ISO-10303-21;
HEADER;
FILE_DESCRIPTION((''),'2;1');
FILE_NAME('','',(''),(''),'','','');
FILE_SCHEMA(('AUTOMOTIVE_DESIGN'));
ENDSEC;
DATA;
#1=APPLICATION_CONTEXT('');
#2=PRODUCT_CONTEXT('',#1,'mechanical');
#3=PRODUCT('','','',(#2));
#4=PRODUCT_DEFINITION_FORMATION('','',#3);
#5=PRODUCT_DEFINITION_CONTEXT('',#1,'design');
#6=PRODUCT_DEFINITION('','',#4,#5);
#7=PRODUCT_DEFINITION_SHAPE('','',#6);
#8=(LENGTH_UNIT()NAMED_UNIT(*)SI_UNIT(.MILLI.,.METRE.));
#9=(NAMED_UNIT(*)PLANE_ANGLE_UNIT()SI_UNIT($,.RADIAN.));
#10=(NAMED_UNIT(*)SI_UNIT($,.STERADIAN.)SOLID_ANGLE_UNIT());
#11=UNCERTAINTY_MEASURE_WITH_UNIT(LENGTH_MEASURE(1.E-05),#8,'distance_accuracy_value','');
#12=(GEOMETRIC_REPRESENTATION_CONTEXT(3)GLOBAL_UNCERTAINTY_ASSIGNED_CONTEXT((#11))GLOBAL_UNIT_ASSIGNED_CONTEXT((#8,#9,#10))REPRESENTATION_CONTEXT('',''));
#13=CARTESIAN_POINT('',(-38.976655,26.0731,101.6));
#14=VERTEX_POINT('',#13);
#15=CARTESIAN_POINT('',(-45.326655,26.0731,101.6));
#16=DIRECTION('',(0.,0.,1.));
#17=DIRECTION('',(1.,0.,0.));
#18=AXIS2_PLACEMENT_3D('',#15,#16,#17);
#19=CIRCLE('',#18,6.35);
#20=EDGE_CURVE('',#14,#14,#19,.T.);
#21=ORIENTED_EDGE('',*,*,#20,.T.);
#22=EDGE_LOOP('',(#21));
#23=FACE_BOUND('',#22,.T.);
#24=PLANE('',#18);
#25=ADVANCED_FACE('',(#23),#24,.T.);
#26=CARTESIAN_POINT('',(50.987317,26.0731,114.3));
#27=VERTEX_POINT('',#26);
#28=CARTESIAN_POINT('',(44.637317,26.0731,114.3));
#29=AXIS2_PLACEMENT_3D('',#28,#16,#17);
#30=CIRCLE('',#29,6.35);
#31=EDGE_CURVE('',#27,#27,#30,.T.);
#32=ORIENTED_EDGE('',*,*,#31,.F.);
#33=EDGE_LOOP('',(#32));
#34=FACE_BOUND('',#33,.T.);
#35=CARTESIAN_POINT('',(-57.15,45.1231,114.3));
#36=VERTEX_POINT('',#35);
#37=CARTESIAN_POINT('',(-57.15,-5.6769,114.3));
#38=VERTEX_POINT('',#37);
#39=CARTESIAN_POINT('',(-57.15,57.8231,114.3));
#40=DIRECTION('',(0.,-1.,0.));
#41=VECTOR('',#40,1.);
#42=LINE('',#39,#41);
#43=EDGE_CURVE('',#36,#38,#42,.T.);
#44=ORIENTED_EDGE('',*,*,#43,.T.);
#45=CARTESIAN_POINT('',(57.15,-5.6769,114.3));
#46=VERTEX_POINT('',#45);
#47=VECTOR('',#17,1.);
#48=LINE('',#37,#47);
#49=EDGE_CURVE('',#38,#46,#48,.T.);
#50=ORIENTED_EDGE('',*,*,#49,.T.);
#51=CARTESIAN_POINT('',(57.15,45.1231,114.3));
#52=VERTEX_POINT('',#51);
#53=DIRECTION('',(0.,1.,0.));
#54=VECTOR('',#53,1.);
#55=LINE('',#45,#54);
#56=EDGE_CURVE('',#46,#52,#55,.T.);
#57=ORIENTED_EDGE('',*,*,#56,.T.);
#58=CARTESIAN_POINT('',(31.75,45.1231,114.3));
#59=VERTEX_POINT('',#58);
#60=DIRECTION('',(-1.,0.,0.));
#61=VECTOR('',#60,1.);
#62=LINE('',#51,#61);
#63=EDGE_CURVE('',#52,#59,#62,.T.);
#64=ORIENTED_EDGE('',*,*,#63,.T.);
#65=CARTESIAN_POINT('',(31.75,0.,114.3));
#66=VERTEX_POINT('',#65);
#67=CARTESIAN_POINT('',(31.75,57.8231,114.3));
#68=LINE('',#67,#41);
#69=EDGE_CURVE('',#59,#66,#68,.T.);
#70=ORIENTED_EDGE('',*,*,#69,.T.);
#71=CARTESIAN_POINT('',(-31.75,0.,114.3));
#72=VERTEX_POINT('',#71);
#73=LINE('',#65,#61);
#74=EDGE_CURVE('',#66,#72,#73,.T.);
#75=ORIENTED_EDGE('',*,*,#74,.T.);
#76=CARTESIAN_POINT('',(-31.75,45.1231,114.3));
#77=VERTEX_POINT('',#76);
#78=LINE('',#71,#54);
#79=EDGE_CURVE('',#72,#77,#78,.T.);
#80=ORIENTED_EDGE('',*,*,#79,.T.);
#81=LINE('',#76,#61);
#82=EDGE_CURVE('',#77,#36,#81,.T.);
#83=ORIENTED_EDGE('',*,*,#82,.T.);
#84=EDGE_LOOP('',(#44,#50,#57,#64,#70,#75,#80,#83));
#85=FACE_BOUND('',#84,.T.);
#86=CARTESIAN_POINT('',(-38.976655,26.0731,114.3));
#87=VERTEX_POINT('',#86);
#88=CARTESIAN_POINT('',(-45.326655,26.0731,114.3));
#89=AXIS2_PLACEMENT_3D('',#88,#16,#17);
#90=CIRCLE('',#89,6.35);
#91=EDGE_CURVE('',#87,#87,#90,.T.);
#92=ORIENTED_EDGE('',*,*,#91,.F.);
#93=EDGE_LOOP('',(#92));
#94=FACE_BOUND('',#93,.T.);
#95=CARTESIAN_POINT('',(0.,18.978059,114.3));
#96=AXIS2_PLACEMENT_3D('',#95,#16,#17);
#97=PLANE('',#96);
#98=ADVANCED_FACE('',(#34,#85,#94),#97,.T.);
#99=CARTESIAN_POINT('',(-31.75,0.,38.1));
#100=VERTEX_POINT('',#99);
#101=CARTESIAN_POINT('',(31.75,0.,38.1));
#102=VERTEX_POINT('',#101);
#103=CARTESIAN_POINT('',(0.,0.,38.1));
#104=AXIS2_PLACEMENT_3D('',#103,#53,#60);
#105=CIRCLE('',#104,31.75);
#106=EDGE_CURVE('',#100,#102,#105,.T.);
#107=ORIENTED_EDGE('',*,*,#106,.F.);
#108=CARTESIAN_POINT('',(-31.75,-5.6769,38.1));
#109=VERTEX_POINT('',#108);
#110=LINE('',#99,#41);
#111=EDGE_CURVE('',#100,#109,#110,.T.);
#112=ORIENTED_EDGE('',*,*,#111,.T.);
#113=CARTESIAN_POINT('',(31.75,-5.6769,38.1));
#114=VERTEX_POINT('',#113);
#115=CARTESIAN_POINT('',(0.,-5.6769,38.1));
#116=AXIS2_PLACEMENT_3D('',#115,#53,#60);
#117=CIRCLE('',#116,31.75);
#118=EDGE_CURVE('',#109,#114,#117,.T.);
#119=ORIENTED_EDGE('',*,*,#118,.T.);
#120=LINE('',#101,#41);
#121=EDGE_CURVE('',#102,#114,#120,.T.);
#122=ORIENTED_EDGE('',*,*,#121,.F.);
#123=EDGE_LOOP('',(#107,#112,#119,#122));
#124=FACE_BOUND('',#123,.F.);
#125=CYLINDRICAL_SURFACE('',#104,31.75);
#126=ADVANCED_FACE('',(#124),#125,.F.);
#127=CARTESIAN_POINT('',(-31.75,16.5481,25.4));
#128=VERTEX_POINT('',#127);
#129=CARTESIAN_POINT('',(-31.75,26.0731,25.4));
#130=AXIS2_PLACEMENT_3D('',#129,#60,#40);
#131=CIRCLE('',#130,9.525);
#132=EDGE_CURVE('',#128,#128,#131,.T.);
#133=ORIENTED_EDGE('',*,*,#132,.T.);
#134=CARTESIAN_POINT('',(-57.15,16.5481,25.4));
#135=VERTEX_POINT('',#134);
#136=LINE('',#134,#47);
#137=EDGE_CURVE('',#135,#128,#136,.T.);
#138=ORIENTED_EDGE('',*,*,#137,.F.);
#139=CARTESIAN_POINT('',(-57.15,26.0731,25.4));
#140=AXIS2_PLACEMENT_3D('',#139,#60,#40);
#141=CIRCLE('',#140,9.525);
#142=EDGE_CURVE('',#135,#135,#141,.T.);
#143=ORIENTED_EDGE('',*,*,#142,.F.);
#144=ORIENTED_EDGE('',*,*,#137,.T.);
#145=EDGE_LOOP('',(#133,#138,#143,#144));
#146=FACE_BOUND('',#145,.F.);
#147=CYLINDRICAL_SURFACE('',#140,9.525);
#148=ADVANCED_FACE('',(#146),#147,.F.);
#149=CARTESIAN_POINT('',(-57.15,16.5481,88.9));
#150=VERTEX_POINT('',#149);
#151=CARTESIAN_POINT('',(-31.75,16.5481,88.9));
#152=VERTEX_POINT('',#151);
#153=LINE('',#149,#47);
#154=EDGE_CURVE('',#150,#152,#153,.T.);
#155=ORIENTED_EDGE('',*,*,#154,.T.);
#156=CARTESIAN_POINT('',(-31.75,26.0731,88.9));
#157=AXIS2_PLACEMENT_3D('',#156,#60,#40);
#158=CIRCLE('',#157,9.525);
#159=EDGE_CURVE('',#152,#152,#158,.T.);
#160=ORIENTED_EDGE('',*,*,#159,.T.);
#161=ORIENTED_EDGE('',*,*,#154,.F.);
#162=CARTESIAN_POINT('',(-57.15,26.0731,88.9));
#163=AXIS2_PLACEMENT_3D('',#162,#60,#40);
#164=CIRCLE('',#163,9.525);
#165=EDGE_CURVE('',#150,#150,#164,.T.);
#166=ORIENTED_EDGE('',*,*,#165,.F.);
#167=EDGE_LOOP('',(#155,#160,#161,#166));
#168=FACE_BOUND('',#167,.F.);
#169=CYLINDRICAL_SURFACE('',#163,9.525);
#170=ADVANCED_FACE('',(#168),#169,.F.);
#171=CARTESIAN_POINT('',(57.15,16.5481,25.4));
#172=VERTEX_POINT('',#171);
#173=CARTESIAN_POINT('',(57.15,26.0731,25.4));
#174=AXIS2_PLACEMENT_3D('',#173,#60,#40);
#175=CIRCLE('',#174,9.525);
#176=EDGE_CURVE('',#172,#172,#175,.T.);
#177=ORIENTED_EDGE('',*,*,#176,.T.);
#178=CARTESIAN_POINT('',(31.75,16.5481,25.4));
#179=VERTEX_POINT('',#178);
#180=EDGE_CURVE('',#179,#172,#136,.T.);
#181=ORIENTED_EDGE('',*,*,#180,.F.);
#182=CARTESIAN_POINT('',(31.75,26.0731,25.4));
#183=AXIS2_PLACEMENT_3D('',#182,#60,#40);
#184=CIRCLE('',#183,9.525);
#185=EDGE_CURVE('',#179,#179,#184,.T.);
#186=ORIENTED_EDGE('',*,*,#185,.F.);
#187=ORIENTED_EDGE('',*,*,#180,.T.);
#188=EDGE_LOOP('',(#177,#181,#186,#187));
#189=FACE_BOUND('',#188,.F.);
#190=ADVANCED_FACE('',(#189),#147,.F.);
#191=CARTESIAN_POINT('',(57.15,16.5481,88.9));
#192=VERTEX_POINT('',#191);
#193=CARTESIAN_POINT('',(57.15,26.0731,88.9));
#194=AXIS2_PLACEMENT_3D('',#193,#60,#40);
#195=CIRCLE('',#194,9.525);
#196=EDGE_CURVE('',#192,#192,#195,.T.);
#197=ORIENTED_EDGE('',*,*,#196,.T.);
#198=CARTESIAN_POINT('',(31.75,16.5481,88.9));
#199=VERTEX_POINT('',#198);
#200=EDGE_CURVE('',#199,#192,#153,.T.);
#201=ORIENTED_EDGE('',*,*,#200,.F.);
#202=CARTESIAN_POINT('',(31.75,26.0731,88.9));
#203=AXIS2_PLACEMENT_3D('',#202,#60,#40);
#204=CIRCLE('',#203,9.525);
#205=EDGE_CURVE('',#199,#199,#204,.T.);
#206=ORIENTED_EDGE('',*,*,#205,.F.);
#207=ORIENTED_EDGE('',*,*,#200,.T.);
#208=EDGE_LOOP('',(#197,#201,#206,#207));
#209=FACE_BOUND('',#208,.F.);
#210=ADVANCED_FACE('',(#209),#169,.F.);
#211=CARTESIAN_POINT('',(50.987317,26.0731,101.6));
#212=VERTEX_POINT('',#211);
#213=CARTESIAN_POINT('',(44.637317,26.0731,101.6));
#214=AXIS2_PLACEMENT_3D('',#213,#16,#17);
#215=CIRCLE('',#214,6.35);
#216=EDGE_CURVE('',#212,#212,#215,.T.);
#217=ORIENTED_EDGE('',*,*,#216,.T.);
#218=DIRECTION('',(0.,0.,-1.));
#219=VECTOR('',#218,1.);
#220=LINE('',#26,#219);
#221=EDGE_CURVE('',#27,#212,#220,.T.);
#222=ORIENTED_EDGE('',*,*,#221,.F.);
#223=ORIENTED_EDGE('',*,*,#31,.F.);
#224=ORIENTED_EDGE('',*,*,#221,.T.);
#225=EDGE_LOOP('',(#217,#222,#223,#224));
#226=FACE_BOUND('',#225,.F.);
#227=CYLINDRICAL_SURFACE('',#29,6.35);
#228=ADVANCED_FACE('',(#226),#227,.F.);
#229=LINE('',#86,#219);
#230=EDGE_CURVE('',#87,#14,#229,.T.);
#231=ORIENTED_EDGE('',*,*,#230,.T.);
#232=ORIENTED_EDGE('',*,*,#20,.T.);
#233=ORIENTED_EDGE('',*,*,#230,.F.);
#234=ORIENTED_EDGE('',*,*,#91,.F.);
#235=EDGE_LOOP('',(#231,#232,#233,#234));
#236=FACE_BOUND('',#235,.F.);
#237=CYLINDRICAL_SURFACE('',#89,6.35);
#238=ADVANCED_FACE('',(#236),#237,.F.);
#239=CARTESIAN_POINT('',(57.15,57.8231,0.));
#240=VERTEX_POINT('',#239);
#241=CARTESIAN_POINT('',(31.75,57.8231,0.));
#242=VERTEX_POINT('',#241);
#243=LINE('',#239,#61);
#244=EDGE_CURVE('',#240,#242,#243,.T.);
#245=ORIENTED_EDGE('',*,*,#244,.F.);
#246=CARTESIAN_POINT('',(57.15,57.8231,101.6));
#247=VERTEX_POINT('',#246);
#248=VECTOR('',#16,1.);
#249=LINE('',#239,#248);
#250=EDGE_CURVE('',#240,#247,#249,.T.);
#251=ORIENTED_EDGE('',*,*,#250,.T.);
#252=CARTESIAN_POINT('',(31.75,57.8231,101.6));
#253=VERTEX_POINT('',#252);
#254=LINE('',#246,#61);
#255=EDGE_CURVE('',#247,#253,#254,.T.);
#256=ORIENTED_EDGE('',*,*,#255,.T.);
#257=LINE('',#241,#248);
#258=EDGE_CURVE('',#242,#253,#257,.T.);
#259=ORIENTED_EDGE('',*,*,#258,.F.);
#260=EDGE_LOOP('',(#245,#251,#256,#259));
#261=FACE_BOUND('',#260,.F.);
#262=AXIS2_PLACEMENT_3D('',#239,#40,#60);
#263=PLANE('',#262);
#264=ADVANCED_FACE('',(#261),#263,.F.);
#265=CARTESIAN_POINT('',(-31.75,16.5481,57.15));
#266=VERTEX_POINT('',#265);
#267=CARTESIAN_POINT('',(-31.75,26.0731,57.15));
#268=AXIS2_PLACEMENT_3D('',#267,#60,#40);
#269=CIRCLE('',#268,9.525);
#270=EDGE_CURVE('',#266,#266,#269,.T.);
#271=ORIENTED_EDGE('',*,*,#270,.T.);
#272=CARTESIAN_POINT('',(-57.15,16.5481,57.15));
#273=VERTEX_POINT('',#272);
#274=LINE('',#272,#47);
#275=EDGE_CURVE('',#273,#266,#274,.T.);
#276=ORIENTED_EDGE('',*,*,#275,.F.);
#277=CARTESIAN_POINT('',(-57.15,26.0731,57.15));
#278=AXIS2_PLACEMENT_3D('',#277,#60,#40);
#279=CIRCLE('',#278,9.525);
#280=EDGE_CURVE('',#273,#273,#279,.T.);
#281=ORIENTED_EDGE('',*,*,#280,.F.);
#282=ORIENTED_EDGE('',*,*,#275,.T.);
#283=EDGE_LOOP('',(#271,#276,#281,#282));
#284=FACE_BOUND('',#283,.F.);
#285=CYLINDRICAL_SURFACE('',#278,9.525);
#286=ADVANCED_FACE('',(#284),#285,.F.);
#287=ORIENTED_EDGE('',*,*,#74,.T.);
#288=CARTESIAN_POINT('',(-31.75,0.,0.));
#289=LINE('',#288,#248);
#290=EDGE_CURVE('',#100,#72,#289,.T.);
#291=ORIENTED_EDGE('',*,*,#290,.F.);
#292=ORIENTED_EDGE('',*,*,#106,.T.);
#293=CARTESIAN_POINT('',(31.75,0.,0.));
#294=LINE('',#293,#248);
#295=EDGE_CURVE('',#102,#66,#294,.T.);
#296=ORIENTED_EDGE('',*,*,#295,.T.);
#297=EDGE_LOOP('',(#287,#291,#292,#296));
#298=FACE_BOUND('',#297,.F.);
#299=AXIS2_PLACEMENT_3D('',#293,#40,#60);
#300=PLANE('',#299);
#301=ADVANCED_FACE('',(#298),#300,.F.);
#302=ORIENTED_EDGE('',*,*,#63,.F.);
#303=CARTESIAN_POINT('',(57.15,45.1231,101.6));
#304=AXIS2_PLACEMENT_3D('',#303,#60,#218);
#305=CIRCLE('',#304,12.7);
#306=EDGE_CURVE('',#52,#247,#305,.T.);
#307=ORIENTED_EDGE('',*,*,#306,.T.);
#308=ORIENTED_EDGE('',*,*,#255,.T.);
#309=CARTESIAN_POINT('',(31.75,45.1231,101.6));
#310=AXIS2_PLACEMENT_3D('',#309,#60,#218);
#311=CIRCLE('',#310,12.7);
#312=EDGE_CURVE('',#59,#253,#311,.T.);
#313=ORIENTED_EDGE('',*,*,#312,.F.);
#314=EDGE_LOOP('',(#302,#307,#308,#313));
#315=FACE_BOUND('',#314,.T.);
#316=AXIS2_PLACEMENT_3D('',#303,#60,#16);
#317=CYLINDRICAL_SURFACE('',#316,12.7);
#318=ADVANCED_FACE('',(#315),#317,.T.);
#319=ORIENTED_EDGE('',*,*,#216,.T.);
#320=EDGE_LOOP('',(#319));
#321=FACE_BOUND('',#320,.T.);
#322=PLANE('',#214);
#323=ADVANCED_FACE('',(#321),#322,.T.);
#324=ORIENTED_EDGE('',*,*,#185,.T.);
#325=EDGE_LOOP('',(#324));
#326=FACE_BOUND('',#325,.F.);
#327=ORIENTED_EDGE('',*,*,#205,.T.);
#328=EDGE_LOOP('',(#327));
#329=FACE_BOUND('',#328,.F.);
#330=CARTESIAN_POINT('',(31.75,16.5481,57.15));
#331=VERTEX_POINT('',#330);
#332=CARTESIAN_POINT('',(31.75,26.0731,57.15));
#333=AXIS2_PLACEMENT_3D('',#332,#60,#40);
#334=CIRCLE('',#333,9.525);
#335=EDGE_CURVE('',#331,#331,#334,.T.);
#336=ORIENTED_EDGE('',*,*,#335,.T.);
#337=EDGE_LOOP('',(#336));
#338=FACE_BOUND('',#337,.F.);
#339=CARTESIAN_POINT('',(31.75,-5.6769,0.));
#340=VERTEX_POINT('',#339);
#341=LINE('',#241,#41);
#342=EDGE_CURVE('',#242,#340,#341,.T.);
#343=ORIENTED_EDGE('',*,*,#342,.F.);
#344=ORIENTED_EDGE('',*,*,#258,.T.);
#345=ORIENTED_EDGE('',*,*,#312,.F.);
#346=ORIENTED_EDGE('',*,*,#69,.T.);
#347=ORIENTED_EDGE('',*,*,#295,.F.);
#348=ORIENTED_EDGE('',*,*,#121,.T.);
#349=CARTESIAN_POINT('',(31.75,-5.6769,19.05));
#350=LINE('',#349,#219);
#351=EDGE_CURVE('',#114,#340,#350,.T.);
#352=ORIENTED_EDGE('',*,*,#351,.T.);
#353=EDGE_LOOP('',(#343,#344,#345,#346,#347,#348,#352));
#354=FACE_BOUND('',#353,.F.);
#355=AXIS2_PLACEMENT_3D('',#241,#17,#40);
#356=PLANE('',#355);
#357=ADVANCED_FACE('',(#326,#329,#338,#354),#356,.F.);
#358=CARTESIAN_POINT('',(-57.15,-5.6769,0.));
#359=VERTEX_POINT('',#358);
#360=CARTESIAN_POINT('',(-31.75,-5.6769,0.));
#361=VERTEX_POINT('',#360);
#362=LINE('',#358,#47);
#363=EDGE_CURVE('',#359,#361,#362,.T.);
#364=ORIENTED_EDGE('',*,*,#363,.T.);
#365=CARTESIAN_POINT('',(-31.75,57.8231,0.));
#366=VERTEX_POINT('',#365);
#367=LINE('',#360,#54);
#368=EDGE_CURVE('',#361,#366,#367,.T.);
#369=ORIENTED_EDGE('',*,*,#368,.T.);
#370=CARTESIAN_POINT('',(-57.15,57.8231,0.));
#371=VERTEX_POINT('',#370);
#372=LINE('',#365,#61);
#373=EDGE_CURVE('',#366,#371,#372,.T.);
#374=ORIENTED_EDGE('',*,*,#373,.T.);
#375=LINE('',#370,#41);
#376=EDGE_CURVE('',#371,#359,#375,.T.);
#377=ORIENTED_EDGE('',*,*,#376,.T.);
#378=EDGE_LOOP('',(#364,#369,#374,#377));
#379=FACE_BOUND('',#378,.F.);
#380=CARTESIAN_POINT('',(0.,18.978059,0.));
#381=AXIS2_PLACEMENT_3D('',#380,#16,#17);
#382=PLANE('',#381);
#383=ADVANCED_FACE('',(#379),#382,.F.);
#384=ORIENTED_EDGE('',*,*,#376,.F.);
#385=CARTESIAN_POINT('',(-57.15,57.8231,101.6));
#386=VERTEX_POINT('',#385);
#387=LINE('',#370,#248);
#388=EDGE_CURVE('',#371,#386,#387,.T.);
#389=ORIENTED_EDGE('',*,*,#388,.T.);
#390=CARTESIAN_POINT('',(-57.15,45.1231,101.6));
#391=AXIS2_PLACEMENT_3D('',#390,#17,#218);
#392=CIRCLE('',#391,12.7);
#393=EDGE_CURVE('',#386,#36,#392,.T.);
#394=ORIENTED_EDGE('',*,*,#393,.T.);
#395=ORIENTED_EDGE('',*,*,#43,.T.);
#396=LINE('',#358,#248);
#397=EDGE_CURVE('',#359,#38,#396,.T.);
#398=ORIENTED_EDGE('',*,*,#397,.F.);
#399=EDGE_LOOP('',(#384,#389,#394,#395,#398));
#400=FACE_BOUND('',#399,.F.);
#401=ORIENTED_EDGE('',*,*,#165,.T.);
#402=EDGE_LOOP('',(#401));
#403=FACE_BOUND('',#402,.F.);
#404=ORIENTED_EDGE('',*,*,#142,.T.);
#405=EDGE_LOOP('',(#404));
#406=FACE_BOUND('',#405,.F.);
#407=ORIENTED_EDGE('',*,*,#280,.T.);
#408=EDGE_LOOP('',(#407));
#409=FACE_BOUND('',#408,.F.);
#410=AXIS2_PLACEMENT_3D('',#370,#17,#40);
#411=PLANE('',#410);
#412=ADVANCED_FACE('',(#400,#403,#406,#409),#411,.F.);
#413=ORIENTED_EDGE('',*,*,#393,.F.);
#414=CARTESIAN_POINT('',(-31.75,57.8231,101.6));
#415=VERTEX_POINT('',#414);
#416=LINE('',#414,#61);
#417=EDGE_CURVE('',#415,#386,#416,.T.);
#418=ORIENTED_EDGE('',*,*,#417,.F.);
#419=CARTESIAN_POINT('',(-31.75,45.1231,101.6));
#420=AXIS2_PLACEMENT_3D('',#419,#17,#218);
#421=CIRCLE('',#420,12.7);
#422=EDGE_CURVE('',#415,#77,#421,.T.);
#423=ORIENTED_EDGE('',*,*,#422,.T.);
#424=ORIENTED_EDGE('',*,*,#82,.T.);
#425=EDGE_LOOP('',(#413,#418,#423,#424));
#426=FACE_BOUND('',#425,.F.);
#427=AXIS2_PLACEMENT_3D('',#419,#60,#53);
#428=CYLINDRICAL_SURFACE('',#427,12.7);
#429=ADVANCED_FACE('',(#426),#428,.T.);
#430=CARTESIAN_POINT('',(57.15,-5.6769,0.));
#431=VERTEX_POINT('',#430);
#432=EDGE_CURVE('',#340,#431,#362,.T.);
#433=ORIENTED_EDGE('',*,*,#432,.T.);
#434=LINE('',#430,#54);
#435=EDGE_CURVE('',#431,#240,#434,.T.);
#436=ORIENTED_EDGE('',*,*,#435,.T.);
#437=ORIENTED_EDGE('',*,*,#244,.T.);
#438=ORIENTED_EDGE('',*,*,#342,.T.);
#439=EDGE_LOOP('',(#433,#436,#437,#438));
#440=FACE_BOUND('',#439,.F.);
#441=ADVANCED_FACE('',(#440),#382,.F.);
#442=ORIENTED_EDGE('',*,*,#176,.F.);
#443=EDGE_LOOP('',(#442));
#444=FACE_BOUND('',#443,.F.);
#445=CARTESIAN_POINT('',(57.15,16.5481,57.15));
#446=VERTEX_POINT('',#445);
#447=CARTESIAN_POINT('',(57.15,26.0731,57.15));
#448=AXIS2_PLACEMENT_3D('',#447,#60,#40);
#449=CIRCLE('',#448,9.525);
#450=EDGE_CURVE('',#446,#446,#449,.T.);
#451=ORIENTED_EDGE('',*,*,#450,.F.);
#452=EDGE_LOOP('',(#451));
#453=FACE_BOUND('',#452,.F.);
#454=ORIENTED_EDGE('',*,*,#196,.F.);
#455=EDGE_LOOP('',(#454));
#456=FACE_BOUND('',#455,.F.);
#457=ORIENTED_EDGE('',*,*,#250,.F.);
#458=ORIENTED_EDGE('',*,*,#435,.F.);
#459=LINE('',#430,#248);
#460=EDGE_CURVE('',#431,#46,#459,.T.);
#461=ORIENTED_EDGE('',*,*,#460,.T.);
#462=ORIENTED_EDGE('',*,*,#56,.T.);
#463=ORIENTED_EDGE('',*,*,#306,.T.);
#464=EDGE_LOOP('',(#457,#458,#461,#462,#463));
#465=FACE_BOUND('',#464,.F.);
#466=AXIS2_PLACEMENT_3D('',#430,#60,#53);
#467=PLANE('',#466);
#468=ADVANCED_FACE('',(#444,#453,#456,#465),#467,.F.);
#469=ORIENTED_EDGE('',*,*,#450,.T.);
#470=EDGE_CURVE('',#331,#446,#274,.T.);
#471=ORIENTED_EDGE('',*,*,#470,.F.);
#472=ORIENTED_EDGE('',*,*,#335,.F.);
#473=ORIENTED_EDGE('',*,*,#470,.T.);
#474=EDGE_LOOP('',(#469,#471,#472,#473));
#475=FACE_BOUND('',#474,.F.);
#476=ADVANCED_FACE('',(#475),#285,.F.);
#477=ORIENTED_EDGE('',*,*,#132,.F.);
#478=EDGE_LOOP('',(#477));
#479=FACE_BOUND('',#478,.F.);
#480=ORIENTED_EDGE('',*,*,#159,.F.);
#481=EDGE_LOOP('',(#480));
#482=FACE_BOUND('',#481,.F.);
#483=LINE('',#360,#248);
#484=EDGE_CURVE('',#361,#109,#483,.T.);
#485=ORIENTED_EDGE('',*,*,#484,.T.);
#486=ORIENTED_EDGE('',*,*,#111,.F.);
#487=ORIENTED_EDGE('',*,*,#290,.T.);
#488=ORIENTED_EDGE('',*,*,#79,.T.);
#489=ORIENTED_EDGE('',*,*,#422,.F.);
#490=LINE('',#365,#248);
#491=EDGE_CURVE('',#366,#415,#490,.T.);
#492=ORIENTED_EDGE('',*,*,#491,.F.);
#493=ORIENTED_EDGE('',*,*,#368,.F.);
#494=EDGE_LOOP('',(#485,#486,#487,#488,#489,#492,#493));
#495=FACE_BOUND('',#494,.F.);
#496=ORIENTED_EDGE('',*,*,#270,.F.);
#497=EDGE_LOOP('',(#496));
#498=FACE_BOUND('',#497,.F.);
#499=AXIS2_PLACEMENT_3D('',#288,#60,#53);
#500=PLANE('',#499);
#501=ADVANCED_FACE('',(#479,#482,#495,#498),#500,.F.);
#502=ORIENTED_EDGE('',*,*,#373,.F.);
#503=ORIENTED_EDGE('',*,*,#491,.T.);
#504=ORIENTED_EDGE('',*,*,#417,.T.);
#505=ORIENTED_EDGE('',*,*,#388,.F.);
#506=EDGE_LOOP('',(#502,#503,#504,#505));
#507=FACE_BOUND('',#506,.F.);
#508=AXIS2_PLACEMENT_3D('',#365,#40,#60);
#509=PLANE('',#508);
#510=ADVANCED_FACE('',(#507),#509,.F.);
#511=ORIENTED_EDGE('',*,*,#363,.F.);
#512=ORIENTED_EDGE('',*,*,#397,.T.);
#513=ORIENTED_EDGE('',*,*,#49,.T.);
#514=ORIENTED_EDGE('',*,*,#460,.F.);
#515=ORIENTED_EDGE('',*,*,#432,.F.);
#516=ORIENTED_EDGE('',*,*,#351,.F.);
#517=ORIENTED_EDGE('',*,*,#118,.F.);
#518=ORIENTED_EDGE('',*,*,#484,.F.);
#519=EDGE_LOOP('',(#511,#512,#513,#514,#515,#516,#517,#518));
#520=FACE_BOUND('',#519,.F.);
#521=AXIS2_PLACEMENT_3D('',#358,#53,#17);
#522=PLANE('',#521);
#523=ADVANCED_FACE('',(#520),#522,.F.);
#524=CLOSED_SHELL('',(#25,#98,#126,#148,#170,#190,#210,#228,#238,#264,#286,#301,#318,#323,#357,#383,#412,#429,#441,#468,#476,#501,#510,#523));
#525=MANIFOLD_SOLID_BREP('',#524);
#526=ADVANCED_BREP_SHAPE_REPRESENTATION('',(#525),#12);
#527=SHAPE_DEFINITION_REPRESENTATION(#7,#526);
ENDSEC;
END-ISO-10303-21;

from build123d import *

# Parameters (mm, degrees)
F1_DEPTH = 114.3
F2_R     = 9.525
F3_DEPTH = 114.301
F5_DEPTH = 5.6779
F6_R     = 12.7
F7_R     = 6.35
F8_DEPTH = 12.7


with BuildPart() as f1:
    # F0 (on Top) → F1 (new body)
    with BuildSketch(Plane.XY):
        Polygon((-31.75, 57.8231), (-57.15, 57.8231), (-57.15, -5.6769), (57.15, -5.6769), (57.15, 57.8231), (31.75, 57.8231), (31.75, 0), (-31.75, 0), align=None)
    extrude(amount=F1_DEPTH)

    # F2 (on face) → F3 (cut, through all)
    with BuildSketch(Plane(origin=(-57.15, 0, 0), x_dir=(0, -1, 0), z_dir=(-1, 0, 0))):
        with Locations((-26.0731, 25.4)):
            Circle(F2_R)
        with Locations((-26.0731, 88.9)):
            Circle(F2_R)
        with Locations((-26.0731, 57.15)):
            Circle(F2_R)
    extrude(amount=-F3_DEPTH, mode=Mode.SUBTRACT)

    # F4 (on face) → F5 (cut, through all)
    with BuildSketch(Plane(origin=(0, 0, 0), x_dir=(-1, 0, 0), z_dir=(0, 1, 0))):
        with BuildLine():
            Line((-31.75, 38.1), (-31.75, 0))
            Line((-31.75, 0), (31.75, 0))
            Line((31.75, 0), (31.75, 38.1))
            ThreePointArc((31.75, 38.1), (0, 69.85), (-31.75, 38.1))
        make_face()
    extrude(amount=-F5_DEPTH, mode=Mode.SUBTRACT)

    # F6
    f6_edges = [f1.edges().sort_by_distance(p)[0] for p in [
        (44.45, 57.8231, 114.3),
        (-44.45, 57.8231, 114.3),
    ]]
    fillet(f6_edges, radius=F6_R)

    # F7 (on face) → F8 (cut)
    with BuildSketch(Plane.XY.offset(114.3)):
        with Locations((-45.326655, 26.0731)):
            Circle(F7_R)
        with Locations((44.637317, 26.0731)):
            Circle(F7_R)
    extrude(amount=-F8_DEPTH, mode=Mode.SUBTRACT)


solid = f1.part
